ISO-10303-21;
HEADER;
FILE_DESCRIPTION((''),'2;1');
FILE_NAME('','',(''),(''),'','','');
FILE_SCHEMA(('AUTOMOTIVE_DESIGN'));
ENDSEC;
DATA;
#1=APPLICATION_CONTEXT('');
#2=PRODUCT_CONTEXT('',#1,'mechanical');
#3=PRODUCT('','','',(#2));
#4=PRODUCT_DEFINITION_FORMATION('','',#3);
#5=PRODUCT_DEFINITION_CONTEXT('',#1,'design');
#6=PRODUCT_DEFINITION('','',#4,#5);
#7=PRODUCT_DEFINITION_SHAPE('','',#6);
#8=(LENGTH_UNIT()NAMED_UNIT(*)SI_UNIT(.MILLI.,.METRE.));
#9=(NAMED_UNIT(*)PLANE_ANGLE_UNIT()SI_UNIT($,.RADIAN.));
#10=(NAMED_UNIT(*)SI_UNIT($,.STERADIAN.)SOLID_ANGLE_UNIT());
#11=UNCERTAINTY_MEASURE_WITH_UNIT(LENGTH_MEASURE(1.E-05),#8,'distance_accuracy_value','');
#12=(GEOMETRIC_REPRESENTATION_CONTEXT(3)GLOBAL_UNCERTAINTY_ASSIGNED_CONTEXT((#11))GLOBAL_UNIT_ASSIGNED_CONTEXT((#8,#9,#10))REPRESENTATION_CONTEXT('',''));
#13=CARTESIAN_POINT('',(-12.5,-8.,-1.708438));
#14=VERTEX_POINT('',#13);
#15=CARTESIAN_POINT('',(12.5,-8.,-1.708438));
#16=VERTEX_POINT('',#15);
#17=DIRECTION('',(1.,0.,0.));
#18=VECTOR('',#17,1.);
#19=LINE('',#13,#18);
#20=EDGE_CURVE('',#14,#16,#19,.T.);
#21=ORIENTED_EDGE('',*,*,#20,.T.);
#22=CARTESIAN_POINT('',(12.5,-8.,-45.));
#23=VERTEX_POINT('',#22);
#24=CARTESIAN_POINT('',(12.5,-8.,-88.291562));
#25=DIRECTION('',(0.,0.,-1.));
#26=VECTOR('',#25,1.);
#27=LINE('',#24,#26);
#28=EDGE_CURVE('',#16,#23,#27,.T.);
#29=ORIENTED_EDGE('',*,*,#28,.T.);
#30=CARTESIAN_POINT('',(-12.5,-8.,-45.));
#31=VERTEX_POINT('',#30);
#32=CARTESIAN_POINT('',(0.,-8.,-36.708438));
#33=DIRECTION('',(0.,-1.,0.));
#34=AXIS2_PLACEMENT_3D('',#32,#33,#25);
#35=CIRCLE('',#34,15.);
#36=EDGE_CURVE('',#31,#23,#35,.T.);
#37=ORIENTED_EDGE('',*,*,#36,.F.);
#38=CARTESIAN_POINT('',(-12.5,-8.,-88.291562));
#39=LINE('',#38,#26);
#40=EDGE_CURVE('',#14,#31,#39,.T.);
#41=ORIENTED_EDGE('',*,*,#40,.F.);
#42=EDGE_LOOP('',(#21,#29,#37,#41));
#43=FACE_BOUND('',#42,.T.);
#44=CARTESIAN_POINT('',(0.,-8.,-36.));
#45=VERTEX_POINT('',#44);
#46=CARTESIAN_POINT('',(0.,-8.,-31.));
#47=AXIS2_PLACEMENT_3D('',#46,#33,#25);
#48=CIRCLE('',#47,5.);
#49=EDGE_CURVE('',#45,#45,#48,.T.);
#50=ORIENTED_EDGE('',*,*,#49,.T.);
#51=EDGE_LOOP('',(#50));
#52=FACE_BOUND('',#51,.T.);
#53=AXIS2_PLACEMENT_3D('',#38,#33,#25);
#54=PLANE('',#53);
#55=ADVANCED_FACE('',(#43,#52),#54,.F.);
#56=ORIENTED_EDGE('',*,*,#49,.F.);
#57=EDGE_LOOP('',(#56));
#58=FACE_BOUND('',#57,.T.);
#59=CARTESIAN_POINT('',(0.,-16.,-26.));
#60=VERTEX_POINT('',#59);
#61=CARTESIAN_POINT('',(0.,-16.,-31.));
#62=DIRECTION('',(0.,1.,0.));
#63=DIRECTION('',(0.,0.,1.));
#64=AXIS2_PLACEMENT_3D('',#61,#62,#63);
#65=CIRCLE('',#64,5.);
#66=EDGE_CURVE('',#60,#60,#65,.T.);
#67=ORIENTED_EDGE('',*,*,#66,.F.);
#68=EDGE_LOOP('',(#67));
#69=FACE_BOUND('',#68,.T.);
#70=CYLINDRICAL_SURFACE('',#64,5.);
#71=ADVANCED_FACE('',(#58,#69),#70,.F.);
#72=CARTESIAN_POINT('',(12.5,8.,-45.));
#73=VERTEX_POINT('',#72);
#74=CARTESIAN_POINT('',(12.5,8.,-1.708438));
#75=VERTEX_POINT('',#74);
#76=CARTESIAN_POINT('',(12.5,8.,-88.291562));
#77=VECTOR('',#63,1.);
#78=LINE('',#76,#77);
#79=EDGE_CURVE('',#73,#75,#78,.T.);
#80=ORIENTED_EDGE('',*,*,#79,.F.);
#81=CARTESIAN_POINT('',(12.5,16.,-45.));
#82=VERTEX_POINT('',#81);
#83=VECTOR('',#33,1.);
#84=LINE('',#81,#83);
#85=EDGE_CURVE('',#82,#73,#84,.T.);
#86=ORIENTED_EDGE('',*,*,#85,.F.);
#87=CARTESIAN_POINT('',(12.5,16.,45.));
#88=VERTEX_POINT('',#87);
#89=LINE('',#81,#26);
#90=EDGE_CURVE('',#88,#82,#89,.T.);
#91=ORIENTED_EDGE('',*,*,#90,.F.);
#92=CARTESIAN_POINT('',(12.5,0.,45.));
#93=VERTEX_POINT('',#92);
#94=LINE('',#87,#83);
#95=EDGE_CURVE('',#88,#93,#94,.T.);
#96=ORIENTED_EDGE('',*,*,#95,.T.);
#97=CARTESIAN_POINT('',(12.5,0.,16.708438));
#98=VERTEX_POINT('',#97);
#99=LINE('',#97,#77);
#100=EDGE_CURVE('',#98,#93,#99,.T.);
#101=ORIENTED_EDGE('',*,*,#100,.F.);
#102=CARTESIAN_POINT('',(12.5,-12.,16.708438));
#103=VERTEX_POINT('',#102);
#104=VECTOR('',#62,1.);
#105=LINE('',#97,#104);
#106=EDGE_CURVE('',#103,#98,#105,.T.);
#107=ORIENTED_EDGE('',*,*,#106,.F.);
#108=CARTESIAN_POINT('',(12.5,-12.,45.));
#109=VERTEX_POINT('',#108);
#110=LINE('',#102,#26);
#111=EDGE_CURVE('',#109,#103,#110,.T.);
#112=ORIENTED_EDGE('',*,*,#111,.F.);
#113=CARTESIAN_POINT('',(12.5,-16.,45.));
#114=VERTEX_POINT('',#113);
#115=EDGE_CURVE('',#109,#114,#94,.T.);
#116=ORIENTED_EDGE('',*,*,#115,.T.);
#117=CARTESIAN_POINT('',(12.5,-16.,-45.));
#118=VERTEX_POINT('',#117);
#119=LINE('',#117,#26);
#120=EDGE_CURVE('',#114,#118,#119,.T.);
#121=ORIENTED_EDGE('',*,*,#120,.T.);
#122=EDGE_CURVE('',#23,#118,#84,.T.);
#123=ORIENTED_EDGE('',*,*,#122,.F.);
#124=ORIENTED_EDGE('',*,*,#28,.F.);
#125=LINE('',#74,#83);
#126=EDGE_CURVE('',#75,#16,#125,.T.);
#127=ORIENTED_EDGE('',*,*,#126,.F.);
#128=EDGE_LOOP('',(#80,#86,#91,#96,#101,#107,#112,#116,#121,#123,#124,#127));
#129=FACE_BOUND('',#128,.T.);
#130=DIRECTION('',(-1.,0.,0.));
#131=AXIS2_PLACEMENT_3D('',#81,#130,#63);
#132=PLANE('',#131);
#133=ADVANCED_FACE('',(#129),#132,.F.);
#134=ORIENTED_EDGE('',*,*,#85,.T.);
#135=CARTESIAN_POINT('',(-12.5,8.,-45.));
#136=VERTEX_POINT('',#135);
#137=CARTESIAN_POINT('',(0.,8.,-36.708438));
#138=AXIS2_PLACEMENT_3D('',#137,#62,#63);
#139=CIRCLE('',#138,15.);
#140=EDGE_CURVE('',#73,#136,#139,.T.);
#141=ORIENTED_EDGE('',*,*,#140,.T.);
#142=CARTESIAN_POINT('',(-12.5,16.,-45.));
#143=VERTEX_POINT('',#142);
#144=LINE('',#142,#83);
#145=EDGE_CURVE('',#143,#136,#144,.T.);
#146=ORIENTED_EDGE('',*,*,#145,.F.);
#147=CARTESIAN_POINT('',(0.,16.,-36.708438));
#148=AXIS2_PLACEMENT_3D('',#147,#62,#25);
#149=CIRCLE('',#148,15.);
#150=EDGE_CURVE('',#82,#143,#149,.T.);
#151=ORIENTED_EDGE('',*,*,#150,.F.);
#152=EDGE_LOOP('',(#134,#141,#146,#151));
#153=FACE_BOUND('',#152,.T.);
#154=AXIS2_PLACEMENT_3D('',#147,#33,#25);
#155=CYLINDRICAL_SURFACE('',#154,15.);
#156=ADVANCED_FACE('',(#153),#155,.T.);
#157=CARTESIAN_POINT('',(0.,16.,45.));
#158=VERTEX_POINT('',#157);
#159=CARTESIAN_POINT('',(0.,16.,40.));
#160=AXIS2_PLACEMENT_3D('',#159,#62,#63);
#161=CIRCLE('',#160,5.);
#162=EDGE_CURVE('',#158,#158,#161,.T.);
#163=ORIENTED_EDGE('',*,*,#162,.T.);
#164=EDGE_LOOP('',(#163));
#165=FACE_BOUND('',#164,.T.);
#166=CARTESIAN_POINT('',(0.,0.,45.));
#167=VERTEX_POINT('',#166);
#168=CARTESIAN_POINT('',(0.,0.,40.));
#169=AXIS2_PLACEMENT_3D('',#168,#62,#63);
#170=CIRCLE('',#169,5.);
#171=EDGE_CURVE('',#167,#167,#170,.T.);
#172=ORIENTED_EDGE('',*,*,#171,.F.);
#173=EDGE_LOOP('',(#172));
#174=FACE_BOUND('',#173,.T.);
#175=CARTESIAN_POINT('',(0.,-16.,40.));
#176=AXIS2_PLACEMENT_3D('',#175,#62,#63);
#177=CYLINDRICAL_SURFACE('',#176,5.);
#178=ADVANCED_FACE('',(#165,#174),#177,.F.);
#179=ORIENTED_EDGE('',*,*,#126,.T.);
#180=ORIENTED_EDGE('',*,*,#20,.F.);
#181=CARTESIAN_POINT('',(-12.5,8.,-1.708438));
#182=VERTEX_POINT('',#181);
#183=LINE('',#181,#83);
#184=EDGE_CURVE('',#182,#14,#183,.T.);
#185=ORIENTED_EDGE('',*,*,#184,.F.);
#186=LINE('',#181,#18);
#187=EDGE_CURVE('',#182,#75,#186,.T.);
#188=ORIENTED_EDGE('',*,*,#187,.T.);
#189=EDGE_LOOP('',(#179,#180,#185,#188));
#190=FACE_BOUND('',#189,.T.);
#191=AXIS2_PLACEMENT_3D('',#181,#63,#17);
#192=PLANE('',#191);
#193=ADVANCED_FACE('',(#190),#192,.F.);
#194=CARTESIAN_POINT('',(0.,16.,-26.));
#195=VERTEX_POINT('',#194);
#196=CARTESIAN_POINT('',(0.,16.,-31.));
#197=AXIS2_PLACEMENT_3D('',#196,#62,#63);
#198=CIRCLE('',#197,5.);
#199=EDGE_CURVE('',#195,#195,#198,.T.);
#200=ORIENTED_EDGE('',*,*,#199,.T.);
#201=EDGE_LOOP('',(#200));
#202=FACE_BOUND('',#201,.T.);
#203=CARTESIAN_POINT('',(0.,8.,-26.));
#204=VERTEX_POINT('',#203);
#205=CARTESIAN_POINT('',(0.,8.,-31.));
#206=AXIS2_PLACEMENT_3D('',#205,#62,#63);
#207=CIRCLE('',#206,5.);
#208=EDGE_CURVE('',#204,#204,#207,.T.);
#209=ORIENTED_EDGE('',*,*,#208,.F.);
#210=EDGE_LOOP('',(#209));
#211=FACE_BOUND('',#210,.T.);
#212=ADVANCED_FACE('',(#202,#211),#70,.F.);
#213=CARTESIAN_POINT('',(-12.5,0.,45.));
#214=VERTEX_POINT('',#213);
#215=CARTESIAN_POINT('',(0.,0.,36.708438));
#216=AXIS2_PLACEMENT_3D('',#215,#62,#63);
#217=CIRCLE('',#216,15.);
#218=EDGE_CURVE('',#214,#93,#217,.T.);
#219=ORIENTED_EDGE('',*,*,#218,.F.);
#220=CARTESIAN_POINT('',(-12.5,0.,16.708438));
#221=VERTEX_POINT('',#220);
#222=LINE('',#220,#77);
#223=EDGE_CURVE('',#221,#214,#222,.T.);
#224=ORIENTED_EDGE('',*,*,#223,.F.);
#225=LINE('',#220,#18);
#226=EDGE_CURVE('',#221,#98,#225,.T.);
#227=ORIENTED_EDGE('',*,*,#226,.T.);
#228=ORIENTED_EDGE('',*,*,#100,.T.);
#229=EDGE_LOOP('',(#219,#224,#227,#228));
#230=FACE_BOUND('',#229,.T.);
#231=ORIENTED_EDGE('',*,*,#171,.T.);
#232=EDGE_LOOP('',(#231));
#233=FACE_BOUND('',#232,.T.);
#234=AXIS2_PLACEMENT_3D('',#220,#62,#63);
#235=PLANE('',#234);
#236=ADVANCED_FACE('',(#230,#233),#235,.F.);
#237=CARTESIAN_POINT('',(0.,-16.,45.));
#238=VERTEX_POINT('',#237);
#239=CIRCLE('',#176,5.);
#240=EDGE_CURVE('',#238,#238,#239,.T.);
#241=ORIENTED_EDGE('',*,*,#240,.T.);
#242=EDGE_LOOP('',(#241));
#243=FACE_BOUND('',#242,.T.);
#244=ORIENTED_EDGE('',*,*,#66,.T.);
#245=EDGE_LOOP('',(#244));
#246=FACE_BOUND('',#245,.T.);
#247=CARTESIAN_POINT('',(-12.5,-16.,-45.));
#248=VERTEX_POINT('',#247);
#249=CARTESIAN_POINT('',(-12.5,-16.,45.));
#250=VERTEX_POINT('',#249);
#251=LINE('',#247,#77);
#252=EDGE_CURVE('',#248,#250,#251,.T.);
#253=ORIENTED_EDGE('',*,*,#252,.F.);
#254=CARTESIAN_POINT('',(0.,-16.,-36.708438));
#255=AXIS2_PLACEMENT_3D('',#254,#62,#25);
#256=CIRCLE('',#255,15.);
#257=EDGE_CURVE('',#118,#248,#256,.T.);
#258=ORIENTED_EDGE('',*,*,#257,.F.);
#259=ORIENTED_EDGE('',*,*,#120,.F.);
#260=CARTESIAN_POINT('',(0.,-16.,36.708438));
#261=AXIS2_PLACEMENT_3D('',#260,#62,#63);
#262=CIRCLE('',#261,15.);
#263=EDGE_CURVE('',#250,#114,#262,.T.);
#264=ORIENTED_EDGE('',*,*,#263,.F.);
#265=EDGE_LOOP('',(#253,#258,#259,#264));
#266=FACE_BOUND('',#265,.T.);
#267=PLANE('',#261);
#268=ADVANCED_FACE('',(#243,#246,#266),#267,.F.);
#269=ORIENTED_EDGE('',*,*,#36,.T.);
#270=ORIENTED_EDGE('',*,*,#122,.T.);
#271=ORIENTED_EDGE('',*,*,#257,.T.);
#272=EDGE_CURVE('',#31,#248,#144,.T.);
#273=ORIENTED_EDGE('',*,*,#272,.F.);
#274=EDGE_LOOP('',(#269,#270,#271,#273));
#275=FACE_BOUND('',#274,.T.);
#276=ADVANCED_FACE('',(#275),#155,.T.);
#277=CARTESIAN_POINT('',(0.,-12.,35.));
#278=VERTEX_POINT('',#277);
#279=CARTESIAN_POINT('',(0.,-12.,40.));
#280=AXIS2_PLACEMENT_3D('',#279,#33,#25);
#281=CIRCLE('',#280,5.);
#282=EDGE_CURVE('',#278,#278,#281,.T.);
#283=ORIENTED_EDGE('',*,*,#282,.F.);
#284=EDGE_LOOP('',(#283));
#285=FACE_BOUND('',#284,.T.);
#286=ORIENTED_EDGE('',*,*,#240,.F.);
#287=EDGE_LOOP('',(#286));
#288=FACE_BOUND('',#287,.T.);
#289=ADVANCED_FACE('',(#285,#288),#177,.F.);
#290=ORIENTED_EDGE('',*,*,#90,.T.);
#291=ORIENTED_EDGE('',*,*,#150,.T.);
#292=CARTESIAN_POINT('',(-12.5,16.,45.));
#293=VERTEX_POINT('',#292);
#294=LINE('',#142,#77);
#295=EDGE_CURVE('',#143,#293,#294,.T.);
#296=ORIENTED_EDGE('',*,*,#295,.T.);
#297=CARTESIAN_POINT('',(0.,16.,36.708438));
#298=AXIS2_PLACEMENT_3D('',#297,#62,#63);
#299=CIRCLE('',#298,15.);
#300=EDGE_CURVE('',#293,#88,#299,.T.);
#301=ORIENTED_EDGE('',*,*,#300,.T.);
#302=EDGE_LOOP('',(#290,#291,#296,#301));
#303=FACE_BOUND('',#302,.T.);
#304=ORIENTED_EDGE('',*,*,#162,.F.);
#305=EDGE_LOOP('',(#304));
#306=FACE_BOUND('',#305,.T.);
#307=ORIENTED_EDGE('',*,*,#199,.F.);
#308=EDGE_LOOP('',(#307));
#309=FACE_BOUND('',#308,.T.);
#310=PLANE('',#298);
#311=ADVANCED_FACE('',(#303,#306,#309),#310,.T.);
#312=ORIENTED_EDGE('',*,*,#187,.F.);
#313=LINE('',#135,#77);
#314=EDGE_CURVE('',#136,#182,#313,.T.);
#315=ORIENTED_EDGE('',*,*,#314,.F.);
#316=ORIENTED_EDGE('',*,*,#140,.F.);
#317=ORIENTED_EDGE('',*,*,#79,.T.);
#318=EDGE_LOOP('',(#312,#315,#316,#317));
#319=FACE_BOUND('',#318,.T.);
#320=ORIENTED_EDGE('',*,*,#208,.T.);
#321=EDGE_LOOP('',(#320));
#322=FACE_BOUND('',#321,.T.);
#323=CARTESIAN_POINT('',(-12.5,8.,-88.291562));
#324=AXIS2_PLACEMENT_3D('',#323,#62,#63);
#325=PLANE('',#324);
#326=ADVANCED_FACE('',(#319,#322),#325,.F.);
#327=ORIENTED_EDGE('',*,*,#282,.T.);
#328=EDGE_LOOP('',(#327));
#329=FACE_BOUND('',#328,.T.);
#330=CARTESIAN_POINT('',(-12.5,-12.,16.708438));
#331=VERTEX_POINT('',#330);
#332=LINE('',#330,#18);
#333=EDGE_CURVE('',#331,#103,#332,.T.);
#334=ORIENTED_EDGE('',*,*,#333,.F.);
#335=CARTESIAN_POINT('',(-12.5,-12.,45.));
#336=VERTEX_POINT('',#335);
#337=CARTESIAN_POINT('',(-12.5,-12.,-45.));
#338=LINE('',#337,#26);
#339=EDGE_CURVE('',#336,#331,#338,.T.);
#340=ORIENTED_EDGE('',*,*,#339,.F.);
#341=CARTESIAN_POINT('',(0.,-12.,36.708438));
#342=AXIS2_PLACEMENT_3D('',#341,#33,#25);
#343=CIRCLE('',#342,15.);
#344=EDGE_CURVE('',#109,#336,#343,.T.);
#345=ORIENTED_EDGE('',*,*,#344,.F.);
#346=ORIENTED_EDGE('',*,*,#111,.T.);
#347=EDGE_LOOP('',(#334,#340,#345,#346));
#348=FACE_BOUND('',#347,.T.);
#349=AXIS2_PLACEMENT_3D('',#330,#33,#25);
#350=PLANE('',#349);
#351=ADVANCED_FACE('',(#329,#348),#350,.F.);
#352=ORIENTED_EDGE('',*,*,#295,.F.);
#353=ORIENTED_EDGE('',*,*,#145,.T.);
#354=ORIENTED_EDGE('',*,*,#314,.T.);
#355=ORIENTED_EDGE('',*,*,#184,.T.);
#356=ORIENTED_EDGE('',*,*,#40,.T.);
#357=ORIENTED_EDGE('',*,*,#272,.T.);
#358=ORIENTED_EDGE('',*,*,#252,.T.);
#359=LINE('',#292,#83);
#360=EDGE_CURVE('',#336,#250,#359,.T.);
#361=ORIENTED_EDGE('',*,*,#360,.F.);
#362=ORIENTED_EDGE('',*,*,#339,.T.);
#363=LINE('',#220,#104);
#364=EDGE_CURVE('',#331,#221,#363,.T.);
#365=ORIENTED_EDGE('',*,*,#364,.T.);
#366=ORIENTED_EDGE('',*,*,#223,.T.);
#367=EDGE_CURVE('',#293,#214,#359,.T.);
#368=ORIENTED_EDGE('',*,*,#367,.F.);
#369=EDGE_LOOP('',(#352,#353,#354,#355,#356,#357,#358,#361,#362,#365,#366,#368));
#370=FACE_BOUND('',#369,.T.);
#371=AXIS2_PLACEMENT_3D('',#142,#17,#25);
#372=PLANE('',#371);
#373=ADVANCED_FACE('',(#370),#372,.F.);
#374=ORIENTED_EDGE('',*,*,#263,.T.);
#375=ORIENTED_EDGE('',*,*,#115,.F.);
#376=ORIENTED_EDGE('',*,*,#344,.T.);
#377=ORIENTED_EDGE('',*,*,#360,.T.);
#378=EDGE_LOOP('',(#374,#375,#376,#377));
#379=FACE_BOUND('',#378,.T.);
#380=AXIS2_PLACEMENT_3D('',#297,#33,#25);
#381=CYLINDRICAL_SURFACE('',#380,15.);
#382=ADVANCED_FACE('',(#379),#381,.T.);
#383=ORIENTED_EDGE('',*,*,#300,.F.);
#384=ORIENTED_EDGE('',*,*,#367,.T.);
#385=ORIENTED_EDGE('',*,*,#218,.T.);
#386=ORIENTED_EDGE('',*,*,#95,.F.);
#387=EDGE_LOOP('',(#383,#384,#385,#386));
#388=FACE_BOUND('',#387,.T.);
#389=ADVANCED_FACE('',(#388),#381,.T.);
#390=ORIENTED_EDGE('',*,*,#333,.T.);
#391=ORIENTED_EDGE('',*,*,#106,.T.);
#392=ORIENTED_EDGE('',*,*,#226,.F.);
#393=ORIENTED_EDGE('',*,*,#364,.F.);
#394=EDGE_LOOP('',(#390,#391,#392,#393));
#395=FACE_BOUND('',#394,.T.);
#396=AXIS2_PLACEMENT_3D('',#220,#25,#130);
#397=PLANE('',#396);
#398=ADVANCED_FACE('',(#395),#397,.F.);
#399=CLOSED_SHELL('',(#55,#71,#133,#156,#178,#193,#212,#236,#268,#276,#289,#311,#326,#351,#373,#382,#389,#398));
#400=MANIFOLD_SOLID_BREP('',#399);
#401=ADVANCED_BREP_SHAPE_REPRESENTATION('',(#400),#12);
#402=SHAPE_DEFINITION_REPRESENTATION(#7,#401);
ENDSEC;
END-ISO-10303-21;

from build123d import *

# Parameters (mm, degrees)
EXTRUDE_1_DEPTH     = 16
SKETCH_2_W          = 56.583123952
SKETCH_2_H          = 12
CUT_EXTRUDE_1_DEPTH = 60.621829584
SKETCH_3_W          = 86.583123952
SKETCH_3_H          = 16
CUT_EXTRUDE_2_DEPTH = 60.621829584
SKETCH_4_R          = 5
CUT_EXTRUDE_3_DEPTH = 63.080693963


with BuildPart() as part:
    # 草图1 → 凸台-拉伸1 (new, symmetric)
    with BuildSketch(Plane(origin=(0, 0, 0), x_dir=(1, 0, 0), z_dir=(0, 1, 0))):
        with BuildLine():
            Line((-12.5, 45), (-12.5, -45))
            ThreePointArc((-12.5, -45), (0, -51.708438024), (12.5, -45))
            Line((12.5, -45), (12.5, 45))
            ThreePointArc((12.5, 45), (0, 51.708438024), (-12.5, 45))
        make_face()
    extrude(amount=EXTRUDE_1_DEPTH, both=True)

    # 草图2 → 切除-拉伸1 (cut, through all)
    with BuildSketch(Plane(origin=(12.5, 0, 0), x_dir=(0, 0, -1), z_dir=(1, 0, 0))):
        with Locations((-45, -6)):
            Rectangle(SKETCH_2_W, SKETCH_2_H)
    extrude(amount=-CUT_EXTRUDE_1_DEPTH, mode=Mode.SUBTRACT)

    # 草图3 → 切除-拉伸2 (cut, through all)
    with BuildSketch(Plane(origin=(12.5, 0, 0), x_dir=(0, 0, -1), z_dir=(1, 0, 0))):
        with Locations((45, 0)):
            Rectangle(SKETCH_3_W, SKETCH_3_H)
    extrude(amount=-CUT_EXTRUDE_2_DEPTH, mode=Mode.SUBTRACT)

    # 草图4 → 切除-拉伸3 (cut, through all)
    with BuildSketch(Plane(origin=(0, 16, 0), x_dir=(1, 0, 0), z_dir=(0, 1, 0))):
        with Locations(Location((0, -40, 0), (0, 0, 270))):
            Circle(SKETCH_4_R)
        with Locations(Location((0, 31, 0), (0, 0, 270))):
            Circle(SKETCH_4_R)
    extrude(amount=-CUT_EXTRUDE_3_DEPTH, mode=Mode.SUBTRACT)


solid = part.part
